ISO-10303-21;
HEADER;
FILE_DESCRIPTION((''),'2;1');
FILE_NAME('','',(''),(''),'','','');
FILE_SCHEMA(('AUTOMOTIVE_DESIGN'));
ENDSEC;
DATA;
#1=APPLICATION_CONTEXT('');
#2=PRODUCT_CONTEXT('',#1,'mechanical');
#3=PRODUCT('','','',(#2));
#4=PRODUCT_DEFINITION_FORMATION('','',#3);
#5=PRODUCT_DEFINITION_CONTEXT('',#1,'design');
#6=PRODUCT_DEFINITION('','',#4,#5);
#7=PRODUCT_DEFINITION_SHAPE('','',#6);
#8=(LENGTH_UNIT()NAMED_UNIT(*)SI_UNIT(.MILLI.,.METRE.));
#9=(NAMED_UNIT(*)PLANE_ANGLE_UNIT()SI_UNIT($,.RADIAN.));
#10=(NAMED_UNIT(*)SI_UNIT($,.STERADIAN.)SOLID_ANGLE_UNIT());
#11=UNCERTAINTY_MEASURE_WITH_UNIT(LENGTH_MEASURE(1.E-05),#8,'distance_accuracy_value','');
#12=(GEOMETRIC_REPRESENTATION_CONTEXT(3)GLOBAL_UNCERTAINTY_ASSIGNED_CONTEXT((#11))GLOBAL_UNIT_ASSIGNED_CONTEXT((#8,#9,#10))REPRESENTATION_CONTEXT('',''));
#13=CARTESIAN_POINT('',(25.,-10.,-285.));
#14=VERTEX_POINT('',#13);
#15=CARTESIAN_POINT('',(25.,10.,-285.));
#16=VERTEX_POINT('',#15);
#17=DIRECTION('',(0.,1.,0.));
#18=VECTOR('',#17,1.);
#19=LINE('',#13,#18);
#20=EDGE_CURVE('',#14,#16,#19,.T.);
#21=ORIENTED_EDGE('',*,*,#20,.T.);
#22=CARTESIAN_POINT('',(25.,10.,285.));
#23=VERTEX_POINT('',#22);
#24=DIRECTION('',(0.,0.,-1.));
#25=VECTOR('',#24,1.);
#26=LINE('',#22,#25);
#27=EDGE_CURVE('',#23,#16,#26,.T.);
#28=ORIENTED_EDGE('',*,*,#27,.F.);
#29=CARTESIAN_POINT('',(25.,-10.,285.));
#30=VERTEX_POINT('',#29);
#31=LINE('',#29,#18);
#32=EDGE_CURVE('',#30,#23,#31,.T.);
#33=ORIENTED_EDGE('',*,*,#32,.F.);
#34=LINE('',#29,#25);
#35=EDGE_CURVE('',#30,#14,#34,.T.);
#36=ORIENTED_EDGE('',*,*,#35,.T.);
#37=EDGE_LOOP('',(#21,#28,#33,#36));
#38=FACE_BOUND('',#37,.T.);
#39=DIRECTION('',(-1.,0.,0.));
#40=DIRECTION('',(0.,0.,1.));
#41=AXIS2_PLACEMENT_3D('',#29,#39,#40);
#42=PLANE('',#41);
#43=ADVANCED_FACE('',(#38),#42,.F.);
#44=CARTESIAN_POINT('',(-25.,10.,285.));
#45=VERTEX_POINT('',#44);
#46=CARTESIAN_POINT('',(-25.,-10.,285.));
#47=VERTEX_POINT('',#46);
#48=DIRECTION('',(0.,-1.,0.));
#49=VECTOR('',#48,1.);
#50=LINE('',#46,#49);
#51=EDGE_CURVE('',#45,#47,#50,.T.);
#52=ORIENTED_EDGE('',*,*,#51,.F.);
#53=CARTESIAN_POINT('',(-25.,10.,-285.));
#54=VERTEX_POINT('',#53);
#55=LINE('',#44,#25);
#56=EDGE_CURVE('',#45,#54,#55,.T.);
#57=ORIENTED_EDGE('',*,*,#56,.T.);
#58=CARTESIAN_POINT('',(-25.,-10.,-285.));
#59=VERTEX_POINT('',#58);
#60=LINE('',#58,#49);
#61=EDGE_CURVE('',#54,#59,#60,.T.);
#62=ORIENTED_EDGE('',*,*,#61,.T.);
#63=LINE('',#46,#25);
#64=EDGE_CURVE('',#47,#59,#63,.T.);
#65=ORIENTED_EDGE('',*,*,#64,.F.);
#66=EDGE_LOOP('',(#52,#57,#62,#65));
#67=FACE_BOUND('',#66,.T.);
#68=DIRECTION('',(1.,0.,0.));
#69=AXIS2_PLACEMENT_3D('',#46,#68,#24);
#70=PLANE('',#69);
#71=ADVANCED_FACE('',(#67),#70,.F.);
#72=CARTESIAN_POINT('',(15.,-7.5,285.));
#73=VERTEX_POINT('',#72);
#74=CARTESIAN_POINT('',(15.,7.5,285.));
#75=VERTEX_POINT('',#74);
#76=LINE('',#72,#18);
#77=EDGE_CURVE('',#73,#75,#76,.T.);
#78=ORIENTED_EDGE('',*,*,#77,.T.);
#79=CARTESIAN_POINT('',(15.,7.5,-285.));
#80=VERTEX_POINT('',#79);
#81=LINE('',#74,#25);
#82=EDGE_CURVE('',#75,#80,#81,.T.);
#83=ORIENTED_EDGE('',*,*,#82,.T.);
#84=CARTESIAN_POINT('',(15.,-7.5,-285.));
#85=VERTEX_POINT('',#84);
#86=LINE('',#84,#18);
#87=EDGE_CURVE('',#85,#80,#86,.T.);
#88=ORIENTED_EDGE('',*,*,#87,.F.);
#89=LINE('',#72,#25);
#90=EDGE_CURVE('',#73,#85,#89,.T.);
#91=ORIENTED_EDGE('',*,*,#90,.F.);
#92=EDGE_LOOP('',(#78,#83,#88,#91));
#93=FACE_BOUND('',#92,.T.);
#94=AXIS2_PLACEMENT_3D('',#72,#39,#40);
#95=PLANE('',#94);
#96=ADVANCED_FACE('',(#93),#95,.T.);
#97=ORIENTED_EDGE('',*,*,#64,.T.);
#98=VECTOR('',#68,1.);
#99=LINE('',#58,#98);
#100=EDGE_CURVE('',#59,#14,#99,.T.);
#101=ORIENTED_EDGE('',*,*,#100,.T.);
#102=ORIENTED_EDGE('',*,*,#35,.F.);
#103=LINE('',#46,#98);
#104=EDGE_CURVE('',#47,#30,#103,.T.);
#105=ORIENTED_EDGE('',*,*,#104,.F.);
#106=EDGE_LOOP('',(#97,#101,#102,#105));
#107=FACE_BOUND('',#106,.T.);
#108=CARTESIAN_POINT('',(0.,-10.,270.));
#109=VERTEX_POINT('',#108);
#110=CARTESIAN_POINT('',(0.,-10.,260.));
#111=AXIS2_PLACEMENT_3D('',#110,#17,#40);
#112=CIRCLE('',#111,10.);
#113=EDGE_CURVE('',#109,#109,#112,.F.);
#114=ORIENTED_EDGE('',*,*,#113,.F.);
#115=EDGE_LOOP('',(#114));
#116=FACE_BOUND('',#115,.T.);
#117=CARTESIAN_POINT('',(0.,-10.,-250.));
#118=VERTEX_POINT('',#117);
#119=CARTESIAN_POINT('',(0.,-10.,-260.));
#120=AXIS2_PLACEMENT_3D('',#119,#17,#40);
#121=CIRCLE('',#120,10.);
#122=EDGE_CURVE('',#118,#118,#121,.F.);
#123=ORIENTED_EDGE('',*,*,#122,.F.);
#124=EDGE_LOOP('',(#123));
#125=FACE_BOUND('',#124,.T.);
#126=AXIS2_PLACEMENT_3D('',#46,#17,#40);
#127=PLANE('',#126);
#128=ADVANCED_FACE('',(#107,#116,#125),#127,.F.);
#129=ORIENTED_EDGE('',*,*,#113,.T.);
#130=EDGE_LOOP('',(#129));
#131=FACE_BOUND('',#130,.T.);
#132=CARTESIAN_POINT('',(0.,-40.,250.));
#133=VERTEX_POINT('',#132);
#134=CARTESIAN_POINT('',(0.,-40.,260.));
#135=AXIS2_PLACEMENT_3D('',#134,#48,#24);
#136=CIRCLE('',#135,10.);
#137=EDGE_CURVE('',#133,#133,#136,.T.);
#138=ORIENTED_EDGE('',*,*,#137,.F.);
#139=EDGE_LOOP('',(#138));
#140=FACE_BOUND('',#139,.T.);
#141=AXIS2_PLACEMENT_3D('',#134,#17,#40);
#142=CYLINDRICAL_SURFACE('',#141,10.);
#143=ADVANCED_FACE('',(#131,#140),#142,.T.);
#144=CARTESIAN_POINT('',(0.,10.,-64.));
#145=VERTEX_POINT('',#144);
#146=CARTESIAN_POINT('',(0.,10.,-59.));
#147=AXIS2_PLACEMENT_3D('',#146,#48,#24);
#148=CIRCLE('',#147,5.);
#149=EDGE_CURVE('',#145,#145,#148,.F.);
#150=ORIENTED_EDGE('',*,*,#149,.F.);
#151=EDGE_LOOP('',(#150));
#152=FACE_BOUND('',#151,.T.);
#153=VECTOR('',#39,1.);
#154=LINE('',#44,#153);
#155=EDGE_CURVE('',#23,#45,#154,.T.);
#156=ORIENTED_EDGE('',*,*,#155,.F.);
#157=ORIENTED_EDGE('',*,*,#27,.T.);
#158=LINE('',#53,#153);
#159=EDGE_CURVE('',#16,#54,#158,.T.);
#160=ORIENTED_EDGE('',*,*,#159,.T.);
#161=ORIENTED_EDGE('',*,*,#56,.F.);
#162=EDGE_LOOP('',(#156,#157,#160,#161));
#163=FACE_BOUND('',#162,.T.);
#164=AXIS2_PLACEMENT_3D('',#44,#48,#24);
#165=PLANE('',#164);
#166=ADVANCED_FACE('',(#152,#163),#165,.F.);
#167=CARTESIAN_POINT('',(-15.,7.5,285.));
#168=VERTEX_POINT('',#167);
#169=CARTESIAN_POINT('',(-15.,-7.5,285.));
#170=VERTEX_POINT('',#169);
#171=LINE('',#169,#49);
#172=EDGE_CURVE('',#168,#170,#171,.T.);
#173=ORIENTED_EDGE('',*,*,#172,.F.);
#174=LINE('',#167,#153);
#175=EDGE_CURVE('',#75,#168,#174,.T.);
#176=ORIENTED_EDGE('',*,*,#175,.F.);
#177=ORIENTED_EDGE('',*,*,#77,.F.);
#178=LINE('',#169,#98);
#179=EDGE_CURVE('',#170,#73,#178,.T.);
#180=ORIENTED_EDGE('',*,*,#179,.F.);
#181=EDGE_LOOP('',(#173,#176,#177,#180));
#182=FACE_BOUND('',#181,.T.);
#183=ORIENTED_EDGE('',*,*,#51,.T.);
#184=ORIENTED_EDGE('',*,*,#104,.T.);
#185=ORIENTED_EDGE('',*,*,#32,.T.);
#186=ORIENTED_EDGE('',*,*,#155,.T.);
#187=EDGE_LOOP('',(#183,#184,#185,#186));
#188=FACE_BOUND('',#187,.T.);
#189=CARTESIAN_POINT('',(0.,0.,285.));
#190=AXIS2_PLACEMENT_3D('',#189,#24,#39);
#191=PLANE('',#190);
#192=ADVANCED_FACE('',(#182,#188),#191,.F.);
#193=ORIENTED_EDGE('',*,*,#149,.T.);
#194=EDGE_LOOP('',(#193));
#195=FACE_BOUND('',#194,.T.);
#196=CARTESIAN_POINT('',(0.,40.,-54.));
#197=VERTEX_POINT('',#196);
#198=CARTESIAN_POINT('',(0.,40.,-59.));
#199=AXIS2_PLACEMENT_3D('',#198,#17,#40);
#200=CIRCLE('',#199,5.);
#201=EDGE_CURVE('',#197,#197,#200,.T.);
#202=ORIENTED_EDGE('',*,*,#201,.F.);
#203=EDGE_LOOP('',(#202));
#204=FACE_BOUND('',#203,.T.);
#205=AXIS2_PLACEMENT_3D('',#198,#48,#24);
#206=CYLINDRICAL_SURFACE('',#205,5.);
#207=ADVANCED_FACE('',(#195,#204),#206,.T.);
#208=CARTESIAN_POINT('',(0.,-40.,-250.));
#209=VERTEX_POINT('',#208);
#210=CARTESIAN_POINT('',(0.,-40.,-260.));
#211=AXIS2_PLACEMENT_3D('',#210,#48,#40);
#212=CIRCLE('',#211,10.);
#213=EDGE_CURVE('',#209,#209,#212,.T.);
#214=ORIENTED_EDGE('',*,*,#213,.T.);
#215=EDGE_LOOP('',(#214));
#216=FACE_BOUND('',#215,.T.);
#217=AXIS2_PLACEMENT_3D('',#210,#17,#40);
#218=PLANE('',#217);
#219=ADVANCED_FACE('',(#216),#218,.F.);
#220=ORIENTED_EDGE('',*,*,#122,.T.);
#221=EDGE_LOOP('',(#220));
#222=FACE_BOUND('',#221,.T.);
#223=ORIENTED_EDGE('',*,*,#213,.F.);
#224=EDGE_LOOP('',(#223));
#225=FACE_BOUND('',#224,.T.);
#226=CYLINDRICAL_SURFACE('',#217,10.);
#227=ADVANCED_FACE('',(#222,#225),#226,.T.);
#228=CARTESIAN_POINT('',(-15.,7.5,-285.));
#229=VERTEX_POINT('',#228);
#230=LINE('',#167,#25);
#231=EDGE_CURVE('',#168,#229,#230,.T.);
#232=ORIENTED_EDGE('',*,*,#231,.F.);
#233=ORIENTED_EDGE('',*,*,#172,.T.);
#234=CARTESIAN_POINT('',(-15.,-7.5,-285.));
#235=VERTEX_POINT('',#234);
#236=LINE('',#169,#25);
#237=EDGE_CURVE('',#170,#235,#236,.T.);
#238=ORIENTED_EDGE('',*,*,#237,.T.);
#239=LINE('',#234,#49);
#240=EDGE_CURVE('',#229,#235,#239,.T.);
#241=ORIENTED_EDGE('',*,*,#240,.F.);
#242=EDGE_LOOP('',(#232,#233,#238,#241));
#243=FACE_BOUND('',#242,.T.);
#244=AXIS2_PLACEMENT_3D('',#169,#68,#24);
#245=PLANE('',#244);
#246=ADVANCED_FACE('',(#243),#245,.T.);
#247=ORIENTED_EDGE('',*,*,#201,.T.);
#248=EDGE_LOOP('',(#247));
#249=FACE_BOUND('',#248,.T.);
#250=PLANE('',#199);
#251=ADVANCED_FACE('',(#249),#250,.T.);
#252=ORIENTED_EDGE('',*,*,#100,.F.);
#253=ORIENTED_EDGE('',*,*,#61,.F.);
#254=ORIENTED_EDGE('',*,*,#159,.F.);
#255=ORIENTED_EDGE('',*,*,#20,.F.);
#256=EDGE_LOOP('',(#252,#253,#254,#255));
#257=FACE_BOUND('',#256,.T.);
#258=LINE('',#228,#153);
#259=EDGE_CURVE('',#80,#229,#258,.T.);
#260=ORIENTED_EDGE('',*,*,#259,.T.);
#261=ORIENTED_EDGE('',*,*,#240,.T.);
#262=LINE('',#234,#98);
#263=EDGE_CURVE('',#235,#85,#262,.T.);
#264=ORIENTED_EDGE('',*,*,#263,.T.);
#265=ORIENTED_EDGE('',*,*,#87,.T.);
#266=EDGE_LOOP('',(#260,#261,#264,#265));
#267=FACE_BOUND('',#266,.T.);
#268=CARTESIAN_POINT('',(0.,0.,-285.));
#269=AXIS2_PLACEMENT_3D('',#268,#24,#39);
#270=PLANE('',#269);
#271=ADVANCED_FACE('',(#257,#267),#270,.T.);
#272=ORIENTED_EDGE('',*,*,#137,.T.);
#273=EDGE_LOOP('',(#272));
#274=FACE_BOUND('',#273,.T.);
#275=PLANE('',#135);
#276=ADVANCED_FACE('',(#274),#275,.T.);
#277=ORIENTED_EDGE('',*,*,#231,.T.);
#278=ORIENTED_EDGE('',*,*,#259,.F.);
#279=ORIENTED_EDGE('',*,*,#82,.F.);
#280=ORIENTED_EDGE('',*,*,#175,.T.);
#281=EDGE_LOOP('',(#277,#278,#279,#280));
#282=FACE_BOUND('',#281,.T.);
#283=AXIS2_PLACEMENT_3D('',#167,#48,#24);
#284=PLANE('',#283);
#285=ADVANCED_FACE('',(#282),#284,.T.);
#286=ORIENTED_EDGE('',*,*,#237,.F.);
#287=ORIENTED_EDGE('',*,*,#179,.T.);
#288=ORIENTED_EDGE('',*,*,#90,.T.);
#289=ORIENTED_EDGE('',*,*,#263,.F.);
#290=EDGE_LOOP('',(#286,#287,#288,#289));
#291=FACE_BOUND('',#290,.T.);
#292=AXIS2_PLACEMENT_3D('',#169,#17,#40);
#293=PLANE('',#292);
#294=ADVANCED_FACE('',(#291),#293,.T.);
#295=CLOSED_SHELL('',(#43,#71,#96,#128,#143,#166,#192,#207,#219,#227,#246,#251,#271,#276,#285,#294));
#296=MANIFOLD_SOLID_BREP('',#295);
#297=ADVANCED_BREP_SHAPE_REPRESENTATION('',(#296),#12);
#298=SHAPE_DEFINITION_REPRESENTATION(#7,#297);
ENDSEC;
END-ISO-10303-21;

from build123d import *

# Parameters (mm, degrees)
SKETCH_1_W      = 50
SKETCH_1_H      = 20
SKETCH_1_W_2    = 30
SKETCH_1_H_2    = 15
EXTRUDE_1_DEPTH = 285
SKETCH_2_R      = 10
EXTRUDE_2_DEPTH = 30
SKETCH_3_R      = 5
EXTRUDE_3_DEPTH = 30


with BuildPart() as part:
    # Эскиз1 → Бобышка-Вытянуть1 (new, symmetric)
    with BuildSketch(Plane.XY):
        Rectangle(SKETCH_1_W, SKETCH_1_H)
        Rectangle(SKETCH_1_W_2, SKETCH_1_H_2, mode=Mode.SUBTRACT)
    extrude(amount=EXTRUDE_1_DEPTH, both=True)

    # Эскиз2 → Бобышка-Вытянуть2 (add)
    with BuildSketch(Plane.XZ.offset(10)):
        with Locations(Location((0, 260, 0), (0, 0, 90))):
            Circle(SKETCH_2_R)
        with Locations(Location((0, -260, 0), (0, 0, 90))):
            Circle(SKETCH_2_R)
    extrude(amount=EXTRUDE_2_DEPTH)

    # Эскиз3 → Бобышка-Вытянуть3 (add)
    with BuildSketch(Plane(origin=(0, 10, 0), x_dir=(1, 0, 0), z_dir=(0, 1, 0))):
        with Locations(Location((0, 59, 0), (0, 0, 90))):
            Circle(SKETCH_3_R)
    extrude(amount=EXTRUDE_3_DEPTH)


solid = part.part
